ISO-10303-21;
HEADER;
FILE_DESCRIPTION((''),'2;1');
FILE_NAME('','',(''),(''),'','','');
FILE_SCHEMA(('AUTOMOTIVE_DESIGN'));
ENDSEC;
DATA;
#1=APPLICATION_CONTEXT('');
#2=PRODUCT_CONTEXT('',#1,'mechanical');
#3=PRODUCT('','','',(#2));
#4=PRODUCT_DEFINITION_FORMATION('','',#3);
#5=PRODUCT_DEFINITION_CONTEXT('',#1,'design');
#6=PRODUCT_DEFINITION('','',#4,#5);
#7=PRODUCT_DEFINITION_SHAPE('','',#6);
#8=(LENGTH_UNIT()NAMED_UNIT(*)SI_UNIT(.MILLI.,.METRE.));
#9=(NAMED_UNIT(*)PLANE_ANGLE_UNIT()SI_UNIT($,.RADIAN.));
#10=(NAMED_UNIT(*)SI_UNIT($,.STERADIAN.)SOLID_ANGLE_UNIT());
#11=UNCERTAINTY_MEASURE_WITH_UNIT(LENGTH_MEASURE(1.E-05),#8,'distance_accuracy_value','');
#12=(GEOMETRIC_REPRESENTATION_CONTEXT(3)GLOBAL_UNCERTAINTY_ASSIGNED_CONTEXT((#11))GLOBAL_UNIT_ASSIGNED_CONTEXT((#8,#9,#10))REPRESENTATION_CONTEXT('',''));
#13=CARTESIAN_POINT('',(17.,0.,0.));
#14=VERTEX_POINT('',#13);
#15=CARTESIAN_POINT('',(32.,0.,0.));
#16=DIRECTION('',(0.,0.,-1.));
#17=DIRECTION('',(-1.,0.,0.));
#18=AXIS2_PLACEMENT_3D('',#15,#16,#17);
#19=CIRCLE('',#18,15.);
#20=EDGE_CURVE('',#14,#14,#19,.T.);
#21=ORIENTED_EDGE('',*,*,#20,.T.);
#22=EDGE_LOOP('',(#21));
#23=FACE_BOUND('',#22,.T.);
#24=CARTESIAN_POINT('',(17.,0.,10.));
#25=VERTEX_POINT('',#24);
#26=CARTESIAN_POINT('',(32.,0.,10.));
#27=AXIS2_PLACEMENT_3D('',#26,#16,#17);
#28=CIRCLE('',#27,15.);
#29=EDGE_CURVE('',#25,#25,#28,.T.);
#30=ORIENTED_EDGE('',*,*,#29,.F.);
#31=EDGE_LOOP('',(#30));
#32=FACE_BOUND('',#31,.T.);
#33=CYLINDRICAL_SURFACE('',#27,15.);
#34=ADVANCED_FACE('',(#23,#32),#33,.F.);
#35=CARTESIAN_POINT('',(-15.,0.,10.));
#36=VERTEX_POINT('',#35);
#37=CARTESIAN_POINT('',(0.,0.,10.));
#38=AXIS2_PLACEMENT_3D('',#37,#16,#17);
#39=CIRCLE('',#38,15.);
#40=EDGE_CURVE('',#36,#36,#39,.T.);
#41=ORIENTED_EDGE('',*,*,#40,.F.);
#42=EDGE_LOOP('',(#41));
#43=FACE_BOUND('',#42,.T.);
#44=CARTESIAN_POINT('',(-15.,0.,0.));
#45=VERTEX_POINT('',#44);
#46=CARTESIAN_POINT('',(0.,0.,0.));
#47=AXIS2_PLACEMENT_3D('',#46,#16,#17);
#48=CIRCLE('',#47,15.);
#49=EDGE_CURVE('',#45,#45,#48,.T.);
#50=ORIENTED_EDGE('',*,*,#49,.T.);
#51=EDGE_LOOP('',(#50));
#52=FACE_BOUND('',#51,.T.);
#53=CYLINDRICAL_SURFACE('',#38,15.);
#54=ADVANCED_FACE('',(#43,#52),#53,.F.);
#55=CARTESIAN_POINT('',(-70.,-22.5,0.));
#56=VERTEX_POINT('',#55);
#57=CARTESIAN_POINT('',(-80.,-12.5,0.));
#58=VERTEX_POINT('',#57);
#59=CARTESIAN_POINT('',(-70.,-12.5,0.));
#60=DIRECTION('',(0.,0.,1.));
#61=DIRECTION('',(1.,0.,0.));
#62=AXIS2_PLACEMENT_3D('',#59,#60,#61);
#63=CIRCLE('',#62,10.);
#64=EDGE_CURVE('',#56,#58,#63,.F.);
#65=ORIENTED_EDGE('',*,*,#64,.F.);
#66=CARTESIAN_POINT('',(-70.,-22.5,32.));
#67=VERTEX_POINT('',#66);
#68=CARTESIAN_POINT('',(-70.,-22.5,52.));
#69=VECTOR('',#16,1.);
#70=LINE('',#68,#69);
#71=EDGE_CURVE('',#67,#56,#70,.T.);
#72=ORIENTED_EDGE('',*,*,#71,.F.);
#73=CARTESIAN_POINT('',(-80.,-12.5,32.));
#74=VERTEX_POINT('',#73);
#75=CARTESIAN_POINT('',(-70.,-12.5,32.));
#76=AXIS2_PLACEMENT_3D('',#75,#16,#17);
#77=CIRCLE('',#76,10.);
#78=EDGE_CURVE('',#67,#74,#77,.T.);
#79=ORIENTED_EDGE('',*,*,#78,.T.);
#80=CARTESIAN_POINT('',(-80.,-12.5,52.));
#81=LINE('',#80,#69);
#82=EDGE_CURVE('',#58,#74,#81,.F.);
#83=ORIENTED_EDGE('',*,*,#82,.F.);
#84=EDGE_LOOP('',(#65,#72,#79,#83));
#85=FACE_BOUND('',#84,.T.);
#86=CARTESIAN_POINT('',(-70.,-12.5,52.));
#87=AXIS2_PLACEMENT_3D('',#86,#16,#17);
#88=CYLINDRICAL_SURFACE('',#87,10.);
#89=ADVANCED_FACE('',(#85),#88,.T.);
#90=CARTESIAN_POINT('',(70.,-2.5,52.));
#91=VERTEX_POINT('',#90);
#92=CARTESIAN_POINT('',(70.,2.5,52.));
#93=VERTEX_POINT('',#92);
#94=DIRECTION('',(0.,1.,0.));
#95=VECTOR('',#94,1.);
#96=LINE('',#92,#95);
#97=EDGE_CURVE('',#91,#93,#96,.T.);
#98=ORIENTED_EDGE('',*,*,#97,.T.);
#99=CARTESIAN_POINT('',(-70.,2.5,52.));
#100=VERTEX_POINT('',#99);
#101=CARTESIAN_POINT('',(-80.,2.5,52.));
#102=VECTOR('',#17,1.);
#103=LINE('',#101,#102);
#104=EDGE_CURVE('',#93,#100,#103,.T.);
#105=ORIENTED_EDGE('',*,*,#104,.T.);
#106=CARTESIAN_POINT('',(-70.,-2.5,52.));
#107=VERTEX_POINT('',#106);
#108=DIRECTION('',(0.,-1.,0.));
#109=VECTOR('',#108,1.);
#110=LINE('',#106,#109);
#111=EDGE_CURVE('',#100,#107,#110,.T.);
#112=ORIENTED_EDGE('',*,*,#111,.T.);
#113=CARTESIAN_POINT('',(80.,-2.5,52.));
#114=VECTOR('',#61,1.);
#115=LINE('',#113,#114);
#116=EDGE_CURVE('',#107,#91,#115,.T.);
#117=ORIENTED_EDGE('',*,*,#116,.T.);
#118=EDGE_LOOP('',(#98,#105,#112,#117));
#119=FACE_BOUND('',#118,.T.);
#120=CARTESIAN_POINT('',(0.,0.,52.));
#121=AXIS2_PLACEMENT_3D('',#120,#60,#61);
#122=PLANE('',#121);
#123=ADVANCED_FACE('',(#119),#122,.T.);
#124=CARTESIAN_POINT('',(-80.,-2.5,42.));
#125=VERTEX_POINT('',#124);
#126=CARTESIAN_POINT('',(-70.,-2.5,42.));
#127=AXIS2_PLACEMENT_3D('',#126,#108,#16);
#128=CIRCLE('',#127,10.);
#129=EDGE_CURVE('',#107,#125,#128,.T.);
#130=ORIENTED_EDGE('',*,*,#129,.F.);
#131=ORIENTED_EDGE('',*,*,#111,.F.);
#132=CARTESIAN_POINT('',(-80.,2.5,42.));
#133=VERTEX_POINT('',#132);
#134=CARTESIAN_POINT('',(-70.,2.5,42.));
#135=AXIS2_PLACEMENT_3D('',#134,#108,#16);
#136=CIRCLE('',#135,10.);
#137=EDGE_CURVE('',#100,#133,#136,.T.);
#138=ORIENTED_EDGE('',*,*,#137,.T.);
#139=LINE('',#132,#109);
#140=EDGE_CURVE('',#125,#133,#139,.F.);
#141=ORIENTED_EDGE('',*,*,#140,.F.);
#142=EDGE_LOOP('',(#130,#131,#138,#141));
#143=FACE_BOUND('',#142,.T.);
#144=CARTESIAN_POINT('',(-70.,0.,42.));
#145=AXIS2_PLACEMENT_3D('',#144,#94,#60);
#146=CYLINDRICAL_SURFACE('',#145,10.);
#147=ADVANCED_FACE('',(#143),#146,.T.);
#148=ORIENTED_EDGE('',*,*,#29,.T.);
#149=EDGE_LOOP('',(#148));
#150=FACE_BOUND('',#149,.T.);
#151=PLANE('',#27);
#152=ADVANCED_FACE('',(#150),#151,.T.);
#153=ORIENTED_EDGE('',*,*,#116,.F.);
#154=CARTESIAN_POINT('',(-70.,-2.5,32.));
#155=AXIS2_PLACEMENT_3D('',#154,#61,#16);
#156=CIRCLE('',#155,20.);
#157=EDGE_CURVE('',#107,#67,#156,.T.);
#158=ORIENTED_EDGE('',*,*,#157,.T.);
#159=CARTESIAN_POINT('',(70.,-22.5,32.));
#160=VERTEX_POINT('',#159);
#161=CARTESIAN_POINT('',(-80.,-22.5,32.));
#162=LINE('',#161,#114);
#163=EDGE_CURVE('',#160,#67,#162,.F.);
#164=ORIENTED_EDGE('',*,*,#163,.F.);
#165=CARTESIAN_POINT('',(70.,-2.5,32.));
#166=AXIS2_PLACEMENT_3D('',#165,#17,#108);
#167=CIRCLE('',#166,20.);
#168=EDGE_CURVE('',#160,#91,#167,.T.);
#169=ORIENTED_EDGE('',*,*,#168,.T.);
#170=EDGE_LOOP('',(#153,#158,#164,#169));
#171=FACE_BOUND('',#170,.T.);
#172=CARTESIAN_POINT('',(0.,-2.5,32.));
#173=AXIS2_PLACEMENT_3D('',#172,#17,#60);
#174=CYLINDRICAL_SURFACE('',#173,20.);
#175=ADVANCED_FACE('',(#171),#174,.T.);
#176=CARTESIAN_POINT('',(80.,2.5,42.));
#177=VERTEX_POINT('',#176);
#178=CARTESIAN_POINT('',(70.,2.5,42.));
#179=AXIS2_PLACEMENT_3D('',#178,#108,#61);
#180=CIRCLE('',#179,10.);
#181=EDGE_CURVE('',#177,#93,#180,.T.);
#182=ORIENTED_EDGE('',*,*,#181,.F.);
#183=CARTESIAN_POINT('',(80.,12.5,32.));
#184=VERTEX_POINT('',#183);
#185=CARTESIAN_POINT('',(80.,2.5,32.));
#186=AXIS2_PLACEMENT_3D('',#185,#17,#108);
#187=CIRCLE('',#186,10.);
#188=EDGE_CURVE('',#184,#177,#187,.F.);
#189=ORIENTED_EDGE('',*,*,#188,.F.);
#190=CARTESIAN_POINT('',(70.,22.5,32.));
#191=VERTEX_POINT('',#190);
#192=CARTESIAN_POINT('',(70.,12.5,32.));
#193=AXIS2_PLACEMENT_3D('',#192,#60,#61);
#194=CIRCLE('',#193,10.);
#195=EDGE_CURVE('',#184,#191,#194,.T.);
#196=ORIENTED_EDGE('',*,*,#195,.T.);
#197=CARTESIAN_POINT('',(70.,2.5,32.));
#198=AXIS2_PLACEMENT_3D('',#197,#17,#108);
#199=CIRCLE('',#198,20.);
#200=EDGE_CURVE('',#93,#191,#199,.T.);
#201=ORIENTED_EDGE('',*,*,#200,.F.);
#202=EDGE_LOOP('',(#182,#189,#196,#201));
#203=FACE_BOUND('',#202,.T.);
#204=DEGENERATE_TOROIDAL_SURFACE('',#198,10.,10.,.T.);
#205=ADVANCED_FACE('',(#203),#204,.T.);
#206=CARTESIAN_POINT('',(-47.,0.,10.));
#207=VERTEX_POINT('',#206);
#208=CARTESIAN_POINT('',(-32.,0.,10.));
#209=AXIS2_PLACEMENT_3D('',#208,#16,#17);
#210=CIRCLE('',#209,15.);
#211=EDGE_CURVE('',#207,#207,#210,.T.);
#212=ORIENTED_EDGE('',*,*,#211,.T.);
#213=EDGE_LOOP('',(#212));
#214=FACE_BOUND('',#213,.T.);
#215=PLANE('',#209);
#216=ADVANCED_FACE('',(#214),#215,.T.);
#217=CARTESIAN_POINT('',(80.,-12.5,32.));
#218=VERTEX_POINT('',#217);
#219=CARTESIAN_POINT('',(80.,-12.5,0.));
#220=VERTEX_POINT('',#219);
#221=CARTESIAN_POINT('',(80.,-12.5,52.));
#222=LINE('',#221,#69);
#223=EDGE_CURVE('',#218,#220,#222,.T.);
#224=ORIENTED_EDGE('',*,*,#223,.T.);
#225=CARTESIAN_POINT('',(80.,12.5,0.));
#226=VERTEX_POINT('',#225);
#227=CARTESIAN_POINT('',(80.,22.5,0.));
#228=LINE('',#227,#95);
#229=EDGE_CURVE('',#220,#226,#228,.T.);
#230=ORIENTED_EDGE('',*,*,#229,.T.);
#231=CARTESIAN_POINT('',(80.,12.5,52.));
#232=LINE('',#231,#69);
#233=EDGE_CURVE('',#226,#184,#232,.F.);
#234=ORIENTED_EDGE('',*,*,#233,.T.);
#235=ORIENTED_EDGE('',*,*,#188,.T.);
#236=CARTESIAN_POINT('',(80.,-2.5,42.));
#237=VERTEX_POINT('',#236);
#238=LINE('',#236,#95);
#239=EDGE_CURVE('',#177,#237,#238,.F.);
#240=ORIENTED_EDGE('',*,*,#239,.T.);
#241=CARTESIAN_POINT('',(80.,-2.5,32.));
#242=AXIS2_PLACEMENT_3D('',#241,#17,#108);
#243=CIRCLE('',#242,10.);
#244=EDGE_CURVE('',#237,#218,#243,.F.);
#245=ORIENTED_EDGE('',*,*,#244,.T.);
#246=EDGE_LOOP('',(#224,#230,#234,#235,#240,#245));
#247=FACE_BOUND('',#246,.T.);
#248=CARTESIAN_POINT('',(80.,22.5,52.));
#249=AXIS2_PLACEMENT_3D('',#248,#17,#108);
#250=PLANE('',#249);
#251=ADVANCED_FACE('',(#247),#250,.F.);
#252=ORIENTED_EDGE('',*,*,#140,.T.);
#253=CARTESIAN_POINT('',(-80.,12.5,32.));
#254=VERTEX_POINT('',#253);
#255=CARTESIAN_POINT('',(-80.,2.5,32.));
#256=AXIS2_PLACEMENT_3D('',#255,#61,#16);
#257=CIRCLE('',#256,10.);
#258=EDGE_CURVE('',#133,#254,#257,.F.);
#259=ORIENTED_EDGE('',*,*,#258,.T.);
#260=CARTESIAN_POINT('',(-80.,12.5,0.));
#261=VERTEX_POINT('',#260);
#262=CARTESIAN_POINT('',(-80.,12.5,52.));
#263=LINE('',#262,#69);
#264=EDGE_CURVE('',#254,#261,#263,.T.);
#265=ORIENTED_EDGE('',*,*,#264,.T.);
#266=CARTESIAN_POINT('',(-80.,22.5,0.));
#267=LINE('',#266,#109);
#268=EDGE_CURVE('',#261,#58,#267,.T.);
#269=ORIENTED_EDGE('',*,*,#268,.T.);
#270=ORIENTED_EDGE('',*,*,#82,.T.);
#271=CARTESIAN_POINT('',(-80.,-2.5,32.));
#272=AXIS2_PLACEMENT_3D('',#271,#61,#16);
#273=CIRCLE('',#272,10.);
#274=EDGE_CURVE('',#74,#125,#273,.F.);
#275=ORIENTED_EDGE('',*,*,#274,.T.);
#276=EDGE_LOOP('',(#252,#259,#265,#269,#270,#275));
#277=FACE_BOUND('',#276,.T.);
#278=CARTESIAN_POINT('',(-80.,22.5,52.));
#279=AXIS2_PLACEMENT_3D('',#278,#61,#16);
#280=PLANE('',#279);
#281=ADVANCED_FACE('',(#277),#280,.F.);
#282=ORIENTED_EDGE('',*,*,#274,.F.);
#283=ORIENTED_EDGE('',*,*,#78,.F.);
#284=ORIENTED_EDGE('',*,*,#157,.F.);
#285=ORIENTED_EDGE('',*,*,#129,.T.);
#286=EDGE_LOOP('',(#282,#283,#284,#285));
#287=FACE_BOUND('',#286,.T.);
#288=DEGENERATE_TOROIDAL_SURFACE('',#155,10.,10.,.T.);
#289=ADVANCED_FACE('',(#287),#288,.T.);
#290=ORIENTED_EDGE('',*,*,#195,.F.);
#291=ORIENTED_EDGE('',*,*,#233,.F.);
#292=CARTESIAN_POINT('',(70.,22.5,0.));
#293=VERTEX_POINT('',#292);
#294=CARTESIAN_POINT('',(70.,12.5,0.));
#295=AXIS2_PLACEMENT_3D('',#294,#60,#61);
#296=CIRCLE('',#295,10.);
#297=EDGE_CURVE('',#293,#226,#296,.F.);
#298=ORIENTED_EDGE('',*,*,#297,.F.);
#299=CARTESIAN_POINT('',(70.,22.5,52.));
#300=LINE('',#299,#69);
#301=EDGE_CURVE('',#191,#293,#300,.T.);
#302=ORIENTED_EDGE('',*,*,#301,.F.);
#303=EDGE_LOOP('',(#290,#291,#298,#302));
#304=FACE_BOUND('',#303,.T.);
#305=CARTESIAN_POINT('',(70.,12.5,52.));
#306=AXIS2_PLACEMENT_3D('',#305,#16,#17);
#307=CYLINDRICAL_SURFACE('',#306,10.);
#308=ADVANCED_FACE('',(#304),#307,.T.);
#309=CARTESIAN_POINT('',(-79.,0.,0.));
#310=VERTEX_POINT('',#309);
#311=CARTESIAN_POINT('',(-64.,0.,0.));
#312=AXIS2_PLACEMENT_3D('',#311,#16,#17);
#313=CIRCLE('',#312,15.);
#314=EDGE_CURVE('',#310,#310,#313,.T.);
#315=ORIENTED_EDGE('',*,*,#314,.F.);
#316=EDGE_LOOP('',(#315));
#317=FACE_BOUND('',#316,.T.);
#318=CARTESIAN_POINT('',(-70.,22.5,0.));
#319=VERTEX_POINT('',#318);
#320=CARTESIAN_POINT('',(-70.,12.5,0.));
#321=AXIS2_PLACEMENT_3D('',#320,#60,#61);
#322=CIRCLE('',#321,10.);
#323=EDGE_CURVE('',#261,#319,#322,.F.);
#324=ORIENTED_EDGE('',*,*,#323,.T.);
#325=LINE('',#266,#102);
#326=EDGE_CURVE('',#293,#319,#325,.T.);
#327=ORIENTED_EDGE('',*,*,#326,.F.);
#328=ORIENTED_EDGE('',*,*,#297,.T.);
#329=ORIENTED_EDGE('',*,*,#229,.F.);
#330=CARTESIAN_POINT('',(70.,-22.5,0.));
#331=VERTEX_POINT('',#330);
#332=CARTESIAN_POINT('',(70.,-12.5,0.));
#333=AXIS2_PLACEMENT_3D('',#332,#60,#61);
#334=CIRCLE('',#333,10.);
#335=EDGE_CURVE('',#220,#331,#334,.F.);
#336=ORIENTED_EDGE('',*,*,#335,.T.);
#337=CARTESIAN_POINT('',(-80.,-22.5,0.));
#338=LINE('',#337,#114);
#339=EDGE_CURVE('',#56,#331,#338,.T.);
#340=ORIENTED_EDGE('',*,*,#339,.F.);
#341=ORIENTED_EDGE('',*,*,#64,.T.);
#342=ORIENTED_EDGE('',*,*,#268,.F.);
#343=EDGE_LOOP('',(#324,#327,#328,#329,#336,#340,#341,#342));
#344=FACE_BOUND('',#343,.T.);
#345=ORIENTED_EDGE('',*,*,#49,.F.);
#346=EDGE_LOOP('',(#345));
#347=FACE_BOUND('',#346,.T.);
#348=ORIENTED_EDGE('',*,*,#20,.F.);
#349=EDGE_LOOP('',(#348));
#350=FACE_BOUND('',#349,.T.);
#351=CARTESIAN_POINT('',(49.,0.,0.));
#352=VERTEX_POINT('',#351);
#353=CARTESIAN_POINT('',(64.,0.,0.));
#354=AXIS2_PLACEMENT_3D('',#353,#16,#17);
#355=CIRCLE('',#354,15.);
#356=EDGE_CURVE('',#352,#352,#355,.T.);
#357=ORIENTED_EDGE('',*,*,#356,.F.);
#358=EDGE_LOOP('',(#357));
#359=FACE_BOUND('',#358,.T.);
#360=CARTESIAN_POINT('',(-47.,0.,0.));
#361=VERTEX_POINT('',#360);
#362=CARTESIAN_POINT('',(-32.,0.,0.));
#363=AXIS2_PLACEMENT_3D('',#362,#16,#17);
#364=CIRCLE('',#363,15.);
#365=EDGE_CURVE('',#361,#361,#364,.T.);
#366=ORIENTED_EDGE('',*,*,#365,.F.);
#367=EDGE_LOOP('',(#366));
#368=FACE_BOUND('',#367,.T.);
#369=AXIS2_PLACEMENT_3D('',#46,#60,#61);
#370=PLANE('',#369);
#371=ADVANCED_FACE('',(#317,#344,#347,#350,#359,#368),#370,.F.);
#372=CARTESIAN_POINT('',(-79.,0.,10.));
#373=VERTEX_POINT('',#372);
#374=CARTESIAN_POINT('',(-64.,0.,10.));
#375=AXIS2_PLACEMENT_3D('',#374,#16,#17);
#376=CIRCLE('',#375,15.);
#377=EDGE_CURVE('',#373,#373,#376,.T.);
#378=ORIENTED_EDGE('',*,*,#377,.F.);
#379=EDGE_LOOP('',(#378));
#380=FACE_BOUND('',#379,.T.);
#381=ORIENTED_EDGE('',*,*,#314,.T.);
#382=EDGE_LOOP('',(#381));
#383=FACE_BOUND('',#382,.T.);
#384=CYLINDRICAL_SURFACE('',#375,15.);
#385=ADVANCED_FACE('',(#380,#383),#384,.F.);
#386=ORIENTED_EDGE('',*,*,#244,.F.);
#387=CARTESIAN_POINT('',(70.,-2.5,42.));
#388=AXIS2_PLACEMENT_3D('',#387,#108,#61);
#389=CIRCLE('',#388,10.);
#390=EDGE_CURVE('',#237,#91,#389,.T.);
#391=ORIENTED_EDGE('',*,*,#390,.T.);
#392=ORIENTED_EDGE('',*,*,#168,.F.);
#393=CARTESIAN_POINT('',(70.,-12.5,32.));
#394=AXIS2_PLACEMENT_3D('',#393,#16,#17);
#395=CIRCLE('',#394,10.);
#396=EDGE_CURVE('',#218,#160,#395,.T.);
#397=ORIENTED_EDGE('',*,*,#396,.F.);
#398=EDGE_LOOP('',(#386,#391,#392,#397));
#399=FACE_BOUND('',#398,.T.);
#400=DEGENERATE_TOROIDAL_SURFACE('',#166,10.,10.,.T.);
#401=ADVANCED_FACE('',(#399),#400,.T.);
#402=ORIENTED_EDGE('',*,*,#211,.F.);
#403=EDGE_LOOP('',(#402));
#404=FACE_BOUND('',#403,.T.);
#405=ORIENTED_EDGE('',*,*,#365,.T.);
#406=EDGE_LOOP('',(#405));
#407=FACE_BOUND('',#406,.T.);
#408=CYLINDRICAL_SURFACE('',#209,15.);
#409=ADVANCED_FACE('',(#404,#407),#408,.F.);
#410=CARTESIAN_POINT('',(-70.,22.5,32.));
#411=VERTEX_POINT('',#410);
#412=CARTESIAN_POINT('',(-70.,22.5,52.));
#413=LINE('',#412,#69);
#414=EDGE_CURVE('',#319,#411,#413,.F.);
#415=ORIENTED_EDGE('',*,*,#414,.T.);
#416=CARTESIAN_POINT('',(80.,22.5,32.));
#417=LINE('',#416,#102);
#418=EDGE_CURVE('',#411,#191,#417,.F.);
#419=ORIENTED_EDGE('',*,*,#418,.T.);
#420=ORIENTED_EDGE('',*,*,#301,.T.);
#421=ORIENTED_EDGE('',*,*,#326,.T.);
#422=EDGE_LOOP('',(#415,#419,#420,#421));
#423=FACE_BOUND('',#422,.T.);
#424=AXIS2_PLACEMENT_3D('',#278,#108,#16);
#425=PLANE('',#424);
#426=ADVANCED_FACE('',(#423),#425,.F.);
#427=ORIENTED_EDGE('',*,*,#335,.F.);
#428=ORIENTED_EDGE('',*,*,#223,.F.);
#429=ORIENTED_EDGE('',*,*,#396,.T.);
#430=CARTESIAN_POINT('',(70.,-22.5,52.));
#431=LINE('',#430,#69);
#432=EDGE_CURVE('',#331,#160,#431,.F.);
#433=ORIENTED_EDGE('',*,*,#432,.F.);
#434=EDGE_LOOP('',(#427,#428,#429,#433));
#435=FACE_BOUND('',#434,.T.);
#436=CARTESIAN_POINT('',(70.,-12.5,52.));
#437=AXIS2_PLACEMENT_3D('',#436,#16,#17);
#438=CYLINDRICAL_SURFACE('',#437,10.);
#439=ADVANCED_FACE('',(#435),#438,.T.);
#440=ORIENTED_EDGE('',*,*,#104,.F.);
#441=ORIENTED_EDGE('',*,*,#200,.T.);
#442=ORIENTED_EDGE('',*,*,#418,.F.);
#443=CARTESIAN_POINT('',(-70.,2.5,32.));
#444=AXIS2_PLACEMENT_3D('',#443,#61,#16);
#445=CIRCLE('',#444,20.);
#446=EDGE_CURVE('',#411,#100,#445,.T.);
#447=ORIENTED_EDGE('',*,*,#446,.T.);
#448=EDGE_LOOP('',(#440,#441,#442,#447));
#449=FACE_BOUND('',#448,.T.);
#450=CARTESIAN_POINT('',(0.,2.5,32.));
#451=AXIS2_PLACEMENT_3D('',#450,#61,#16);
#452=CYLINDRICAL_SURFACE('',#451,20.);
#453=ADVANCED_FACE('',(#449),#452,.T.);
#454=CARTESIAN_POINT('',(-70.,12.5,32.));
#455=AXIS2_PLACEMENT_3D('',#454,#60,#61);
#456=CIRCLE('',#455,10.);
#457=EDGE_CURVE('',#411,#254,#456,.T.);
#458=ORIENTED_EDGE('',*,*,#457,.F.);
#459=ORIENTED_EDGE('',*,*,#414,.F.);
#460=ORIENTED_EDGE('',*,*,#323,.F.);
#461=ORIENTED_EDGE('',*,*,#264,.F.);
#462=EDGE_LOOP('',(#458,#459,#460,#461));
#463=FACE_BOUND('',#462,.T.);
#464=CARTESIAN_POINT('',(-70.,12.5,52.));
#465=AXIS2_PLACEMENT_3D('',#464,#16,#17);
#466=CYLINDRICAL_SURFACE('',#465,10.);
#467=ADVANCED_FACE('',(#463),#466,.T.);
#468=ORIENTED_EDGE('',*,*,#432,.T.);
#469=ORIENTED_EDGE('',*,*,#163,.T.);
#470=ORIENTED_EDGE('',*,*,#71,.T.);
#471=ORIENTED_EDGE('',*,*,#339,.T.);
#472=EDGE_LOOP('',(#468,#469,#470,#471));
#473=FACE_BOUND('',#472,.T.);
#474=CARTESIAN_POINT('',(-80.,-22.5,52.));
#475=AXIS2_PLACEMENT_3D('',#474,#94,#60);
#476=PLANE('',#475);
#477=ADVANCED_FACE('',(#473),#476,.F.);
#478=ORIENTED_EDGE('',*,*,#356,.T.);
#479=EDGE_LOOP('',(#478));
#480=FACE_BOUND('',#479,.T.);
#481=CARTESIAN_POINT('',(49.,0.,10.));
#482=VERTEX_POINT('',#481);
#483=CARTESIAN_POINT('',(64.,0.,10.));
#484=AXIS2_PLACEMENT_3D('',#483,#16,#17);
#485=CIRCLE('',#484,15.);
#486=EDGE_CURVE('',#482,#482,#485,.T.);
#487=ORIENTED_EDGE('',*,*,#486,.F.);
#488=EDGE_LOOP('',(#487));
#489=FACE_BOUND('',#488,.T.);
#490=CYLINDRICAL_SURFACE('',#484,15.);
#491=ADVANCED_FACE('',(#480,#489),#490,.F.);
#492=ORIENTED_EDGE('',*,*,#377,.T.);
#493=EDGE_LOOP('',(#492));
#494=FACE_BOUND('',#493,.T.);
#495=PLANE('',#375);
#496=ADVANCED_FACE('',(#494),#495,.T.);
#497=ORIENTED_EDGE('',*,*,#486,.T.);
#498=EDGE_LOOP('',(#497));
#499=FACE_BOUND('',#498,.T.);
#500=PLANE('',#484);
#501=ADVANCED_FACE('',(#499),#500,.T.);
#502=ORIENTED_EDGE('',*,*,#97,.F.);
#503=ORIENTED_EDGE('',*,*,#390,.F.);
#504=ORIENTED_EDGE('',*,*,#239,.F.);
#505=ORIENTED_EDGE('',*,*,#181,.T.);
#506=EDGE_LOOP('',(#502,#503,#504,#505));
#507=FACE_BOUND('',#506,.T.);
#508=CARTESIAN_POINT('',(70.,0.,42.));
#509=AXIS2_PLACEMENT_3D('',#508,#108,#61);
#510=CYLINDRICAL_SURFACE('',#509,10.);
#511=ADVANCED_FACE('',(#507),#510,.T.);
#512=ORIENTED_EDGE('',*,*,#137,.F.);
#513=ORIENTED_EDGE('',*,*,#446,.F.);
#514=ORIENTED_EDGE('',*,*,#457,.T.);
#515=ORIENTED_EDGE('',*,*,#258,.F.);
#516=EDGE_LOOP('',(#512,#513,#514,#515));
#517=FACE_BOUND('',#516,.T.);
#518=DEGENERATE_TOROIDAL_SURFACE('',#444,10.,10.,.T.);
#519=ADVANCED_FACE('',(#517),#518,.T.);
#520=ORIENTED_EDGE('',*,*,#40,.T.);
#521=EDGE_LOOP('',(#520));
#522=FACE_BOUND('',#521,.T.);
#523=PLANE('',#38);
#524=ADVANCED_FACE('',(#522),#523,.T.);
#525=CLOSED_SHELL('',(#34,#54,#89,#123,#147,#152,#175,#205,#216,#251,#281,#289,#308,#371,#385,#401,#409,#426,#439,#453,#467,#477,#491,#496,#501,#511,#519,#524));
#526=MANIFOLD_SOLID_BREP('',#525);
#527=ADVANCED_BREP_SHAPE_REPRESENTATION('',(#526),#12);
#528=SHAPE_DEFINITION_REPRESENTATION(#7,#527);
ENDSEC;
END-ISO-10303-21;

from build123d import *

# Parameters (mm, degrees)
SKETCH_1_W             = 160
SKETCH_1_H             = 45
EXTRUDE_1_DEPTH        = 52
SKETCH_2_R             = 15
CUT_EXTRUDE_1_DEPTH    = 10
PATTERN_LINEAR_2_COUNT = 3
PATTERN_LINEAR_2_PITCH = 32
PATTERN_LINEAR_3_COUNT = 3
PATTERN_LINEAR_3_PITCH = 32
FILLET_1_R             = 20
FILLET_2_R             = 10


with BuildPart() as part:
    # 스케치1 → 보스-돌출1 (new body)
    with BuildSketch(Plane.XY):
        Rectangle(SKETCH_1_W, SKETCH_1_H)
    extrude(amount=EXTRUDE_1_DEPTH)

    # 스케치2 → 컷-돌출1 (cut)
    with BuildSketch(Plane(origin=(0, 0, 0), x_dir=(-1, 0, 0), z_dir=(0, 0, -1))):
        Circle(SKETCH_2_R)
    cut_extrude_1 = extrude(amount=-CUT_EXTRUDE_1_DEPTH, mode=Mode.SUBTRACT)

    # 선형 패턴2: 컷-돌출1 ×3
    with Locations(*[(-i * PATTERN_LINEAR_2_PITCH, 0, 0) for i in range(1, PATTERN_LINEAR_2_COUNT)]):
        add(cut_extrude_1, mode=Mode.SUBTRACT)

    # 선형 패턴3: 컷-돌출1 ×3
    with Locations(*[(i * PATTERN_LINEAR_3_PITCH, 0, 0) for i in range(1, PATTERN_LINEAR_3_COUNT)]):
        add(cut_extrude_1, mode=Mode.SUBTRACT)

    # 필렛1
    fillet_1_edges = [part.edges().sort_by_distance(p)[0] for p in [
        (0, -22.5, 52),
        (0, 22.5, 52),
    ]]
    fillet(fillet_1_edges, radius=FILLET_1_R)

    # 필렛2
    fillet_2_edges = [part.edges().sort_by_distance(p)[0] for p in [
        (80, 0, 52),
        (-80, 0, 52),
        (80, 22.5, 16),
        (80, -22.5, 16),
        (80, 16.642135624, 46.142135624),
        (80, -16.642135624, 46.142135624),
        (-80, -22.5, 16),
        (-80, 22.5, 16),
        (-80, 16.642135624, 46.142135624),
        (-80, -16.642135624, 46.142135624),
    ]]
    fillet(fillet_2_edges, radius=FILLET_2_R)


solid = part.part
